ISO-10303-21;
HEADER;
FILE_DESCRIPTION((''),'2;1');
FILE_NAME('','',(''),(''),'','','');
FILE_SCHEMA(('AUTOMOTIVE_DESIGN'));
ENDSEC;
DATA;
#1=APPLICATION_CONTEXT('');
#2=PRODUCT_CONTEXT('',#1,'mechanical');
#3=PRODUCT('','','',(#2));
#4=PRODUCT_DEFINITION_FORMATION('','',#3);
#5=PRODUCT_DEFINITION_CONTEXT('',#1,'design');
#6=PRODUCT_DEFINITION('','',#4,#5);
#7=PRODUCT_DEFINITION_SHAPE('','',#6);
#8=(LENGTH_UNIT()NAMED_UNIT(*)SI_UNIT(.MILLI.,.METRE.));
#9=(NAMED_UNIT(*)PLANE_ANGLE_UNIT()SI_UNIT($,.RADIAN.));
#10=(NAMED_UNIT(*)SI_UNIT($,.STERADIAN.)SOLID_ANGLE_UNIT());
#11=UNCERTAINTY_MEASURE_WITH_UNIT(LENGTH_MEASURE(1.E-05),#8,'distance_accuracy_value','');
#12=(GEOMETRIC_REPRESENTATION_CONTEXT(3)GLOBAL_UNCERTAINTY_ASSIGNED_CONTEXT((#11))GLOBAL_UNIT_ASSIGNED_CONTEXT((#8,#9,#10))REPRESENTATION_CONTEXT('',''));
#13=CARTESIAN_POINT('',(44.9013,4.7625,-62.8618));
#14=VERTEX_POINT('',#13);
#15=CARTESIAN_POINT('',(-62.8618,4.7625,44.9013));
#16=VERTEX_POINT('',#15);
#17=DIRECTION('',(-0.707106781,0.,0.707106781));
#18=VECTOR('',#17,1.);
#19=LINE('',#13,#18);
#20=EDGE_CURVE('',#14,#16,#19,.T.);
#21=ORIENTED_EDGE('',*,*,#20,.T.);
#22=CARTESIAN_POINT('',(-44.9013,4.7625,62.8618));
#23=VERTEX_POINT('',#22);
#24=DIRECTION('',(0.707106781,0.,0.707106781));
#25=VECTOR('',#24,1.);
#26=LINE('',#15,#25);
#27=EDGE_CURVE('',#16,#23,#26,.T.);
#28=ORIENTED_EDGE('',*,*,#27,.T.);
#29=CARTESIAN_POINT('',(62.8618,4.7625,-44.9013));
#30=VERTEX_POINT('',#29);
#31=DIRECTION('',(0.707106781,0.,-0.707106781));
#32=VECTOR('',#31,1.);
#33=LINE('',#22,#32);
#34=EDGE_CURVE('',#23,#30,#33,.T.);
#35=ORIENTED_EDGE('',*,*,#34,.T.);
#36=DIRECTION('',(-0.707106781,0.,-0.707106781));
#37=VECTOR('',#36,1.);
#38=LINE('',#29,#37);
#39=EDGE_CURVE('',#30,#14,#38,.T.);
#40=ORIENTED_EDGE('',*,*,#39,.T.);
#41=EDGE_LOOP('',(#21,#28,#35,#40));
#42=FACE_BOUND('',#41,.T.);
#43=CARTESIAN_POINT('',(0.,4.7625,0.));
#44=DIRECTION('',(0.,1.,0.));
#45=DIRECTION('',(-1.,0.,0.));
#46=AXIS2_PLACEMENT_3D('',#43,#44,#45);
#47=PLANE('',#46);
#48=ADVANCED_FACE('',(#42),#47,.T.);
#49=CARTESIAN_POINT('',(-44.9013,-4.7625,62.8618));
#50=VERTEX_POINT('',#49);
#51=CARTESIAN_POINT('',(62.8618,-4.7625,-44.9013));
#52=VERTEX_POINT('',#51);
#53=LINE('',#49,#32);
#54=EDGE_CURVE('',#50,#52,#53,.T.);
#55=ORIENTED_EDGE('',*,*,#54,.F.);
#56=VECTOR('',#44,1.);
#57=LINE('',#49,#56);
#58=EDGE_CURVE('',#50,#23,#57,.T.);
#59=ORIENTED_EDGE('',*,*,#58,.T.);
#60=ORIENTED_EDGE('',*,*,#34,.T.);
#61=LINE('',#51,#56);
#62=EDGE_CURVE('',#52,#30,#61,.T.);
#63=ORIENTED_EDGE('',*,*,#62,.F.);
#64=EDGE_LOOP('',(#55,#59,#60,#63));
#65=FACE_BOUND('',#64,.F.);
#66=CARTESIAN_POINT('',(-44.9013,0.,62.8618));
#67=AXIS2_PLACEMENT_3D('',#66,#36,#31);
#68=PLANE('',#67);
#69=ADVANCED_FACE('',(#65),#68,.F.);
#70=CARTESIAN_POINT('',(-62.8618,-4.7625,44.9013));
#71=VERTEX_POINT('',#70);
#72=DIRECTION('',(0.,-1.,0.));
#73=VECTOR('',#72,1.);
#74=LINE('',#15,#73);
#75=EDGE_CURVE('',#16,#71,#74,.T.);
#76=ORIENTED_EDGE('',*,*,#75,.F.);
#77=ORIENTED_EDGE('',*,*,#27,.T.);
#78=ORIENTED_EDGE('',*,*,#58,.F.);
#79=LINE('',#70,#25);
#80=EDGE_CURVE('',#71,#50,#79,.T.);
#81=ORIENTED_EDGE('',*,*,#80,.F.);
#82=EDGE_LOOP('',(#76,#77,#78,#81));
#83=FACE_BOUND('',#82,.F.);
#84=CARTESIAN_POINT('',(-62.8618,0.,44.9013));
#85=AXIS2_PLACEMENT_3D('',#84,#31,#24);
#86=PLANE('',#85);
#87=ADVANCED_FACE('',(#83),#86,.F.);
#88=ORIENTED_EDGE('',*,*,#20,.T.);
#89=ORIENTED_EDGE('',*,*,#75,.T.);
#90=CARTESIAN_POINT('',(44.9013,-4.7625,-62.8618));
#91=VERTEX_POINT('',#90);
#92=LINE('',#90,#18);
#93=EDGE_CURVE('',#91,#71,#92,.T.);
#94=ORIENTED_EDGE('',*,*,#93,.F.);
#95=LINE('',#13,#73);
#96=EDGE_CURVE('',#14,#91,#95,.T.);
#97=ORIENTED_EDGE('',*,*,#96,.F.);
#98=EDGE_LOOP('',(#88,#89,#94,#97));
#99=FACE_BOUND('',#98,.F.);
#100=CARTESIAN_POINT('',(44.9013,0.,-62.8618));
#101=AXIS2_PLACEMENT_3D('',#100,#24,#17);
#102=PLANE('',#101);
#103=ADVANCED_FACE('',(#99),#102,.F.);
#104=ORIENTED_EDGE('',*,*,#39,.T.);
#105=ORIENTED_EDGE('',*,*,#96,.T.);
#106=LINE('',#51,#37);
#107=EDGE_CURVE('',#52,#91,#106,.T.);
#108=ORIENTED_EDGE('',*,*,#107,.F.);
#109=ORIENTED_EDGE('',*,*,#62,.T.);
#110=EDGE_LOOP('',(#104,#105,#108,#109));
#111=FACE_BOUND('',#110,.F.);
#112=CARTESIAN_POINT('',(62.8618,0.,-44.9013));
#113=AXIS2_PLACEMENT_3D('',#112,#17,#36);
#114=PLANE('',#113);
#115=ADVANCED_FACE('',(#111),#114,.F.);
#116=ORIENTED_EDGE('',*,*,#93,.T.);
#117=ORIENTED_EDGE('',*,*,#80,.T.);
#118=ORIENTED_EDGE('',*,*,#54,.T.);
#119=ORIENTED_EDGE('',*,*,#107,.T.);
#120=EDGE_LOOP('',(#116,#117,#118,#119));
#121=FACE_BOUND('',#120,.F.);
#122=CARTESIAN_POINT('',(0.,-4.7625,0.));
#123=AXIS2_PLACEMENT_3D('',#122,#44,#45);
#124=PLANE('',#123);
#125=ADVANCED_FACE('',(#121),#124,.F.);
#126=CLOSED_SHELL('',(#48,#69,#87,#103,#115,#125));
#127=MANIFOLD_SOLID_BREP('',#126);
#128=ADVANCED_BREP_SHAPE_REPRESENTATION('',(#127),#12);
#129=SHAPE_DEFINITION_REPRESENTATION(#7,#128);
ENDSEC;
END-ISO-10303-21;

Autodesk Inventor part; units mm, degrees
ref_plane "YZ Plane" through (0, 0, 0) normal (1, 0, 0) x (0, 1, 0)
ref_plane "XZ Plane" through (0, 0, 0) normal (0, 1, 0) x (-1, 0, 0)
ref_plane "XY Plane" through (0, 0, 0) normal (0, 0, 1) x (1, 0, 0)
sketch "Sketch1" plane through (0, 0, 0) normal (0, 1, 0) x (-1, 0, 0)
  line L0 (44.9013, 62.8618) -> (-62.8618, -44.9013)
  line L1 (-62.8618, -44.9013) -> (-44.9013, -62.8618)
  line L2 (-44.9013, -62.8618) -> (62.8618, 44.9013)
  line L3 (62.8618, 44.9013) -> (44.9013, 62.8618)
  line L4 (44.9013, 62.8618) -> (-44.9013, -62.8618) construction
  line L5 (-62.8618, -44.9013) -> (62.8618, 44.9013) construction
  line L6 (44.9013, 62.8618) -> (197.3013, 62.8618) construction
  point P0 (0, 0)
  dimension "d0" = 152.4
  dimension "d1" = 135
  dimension "d2" = 25.4
extrude "Extrusion1" add sketch "Sketch1" along normal mid plane 9.525
properties part number "examplePart"
